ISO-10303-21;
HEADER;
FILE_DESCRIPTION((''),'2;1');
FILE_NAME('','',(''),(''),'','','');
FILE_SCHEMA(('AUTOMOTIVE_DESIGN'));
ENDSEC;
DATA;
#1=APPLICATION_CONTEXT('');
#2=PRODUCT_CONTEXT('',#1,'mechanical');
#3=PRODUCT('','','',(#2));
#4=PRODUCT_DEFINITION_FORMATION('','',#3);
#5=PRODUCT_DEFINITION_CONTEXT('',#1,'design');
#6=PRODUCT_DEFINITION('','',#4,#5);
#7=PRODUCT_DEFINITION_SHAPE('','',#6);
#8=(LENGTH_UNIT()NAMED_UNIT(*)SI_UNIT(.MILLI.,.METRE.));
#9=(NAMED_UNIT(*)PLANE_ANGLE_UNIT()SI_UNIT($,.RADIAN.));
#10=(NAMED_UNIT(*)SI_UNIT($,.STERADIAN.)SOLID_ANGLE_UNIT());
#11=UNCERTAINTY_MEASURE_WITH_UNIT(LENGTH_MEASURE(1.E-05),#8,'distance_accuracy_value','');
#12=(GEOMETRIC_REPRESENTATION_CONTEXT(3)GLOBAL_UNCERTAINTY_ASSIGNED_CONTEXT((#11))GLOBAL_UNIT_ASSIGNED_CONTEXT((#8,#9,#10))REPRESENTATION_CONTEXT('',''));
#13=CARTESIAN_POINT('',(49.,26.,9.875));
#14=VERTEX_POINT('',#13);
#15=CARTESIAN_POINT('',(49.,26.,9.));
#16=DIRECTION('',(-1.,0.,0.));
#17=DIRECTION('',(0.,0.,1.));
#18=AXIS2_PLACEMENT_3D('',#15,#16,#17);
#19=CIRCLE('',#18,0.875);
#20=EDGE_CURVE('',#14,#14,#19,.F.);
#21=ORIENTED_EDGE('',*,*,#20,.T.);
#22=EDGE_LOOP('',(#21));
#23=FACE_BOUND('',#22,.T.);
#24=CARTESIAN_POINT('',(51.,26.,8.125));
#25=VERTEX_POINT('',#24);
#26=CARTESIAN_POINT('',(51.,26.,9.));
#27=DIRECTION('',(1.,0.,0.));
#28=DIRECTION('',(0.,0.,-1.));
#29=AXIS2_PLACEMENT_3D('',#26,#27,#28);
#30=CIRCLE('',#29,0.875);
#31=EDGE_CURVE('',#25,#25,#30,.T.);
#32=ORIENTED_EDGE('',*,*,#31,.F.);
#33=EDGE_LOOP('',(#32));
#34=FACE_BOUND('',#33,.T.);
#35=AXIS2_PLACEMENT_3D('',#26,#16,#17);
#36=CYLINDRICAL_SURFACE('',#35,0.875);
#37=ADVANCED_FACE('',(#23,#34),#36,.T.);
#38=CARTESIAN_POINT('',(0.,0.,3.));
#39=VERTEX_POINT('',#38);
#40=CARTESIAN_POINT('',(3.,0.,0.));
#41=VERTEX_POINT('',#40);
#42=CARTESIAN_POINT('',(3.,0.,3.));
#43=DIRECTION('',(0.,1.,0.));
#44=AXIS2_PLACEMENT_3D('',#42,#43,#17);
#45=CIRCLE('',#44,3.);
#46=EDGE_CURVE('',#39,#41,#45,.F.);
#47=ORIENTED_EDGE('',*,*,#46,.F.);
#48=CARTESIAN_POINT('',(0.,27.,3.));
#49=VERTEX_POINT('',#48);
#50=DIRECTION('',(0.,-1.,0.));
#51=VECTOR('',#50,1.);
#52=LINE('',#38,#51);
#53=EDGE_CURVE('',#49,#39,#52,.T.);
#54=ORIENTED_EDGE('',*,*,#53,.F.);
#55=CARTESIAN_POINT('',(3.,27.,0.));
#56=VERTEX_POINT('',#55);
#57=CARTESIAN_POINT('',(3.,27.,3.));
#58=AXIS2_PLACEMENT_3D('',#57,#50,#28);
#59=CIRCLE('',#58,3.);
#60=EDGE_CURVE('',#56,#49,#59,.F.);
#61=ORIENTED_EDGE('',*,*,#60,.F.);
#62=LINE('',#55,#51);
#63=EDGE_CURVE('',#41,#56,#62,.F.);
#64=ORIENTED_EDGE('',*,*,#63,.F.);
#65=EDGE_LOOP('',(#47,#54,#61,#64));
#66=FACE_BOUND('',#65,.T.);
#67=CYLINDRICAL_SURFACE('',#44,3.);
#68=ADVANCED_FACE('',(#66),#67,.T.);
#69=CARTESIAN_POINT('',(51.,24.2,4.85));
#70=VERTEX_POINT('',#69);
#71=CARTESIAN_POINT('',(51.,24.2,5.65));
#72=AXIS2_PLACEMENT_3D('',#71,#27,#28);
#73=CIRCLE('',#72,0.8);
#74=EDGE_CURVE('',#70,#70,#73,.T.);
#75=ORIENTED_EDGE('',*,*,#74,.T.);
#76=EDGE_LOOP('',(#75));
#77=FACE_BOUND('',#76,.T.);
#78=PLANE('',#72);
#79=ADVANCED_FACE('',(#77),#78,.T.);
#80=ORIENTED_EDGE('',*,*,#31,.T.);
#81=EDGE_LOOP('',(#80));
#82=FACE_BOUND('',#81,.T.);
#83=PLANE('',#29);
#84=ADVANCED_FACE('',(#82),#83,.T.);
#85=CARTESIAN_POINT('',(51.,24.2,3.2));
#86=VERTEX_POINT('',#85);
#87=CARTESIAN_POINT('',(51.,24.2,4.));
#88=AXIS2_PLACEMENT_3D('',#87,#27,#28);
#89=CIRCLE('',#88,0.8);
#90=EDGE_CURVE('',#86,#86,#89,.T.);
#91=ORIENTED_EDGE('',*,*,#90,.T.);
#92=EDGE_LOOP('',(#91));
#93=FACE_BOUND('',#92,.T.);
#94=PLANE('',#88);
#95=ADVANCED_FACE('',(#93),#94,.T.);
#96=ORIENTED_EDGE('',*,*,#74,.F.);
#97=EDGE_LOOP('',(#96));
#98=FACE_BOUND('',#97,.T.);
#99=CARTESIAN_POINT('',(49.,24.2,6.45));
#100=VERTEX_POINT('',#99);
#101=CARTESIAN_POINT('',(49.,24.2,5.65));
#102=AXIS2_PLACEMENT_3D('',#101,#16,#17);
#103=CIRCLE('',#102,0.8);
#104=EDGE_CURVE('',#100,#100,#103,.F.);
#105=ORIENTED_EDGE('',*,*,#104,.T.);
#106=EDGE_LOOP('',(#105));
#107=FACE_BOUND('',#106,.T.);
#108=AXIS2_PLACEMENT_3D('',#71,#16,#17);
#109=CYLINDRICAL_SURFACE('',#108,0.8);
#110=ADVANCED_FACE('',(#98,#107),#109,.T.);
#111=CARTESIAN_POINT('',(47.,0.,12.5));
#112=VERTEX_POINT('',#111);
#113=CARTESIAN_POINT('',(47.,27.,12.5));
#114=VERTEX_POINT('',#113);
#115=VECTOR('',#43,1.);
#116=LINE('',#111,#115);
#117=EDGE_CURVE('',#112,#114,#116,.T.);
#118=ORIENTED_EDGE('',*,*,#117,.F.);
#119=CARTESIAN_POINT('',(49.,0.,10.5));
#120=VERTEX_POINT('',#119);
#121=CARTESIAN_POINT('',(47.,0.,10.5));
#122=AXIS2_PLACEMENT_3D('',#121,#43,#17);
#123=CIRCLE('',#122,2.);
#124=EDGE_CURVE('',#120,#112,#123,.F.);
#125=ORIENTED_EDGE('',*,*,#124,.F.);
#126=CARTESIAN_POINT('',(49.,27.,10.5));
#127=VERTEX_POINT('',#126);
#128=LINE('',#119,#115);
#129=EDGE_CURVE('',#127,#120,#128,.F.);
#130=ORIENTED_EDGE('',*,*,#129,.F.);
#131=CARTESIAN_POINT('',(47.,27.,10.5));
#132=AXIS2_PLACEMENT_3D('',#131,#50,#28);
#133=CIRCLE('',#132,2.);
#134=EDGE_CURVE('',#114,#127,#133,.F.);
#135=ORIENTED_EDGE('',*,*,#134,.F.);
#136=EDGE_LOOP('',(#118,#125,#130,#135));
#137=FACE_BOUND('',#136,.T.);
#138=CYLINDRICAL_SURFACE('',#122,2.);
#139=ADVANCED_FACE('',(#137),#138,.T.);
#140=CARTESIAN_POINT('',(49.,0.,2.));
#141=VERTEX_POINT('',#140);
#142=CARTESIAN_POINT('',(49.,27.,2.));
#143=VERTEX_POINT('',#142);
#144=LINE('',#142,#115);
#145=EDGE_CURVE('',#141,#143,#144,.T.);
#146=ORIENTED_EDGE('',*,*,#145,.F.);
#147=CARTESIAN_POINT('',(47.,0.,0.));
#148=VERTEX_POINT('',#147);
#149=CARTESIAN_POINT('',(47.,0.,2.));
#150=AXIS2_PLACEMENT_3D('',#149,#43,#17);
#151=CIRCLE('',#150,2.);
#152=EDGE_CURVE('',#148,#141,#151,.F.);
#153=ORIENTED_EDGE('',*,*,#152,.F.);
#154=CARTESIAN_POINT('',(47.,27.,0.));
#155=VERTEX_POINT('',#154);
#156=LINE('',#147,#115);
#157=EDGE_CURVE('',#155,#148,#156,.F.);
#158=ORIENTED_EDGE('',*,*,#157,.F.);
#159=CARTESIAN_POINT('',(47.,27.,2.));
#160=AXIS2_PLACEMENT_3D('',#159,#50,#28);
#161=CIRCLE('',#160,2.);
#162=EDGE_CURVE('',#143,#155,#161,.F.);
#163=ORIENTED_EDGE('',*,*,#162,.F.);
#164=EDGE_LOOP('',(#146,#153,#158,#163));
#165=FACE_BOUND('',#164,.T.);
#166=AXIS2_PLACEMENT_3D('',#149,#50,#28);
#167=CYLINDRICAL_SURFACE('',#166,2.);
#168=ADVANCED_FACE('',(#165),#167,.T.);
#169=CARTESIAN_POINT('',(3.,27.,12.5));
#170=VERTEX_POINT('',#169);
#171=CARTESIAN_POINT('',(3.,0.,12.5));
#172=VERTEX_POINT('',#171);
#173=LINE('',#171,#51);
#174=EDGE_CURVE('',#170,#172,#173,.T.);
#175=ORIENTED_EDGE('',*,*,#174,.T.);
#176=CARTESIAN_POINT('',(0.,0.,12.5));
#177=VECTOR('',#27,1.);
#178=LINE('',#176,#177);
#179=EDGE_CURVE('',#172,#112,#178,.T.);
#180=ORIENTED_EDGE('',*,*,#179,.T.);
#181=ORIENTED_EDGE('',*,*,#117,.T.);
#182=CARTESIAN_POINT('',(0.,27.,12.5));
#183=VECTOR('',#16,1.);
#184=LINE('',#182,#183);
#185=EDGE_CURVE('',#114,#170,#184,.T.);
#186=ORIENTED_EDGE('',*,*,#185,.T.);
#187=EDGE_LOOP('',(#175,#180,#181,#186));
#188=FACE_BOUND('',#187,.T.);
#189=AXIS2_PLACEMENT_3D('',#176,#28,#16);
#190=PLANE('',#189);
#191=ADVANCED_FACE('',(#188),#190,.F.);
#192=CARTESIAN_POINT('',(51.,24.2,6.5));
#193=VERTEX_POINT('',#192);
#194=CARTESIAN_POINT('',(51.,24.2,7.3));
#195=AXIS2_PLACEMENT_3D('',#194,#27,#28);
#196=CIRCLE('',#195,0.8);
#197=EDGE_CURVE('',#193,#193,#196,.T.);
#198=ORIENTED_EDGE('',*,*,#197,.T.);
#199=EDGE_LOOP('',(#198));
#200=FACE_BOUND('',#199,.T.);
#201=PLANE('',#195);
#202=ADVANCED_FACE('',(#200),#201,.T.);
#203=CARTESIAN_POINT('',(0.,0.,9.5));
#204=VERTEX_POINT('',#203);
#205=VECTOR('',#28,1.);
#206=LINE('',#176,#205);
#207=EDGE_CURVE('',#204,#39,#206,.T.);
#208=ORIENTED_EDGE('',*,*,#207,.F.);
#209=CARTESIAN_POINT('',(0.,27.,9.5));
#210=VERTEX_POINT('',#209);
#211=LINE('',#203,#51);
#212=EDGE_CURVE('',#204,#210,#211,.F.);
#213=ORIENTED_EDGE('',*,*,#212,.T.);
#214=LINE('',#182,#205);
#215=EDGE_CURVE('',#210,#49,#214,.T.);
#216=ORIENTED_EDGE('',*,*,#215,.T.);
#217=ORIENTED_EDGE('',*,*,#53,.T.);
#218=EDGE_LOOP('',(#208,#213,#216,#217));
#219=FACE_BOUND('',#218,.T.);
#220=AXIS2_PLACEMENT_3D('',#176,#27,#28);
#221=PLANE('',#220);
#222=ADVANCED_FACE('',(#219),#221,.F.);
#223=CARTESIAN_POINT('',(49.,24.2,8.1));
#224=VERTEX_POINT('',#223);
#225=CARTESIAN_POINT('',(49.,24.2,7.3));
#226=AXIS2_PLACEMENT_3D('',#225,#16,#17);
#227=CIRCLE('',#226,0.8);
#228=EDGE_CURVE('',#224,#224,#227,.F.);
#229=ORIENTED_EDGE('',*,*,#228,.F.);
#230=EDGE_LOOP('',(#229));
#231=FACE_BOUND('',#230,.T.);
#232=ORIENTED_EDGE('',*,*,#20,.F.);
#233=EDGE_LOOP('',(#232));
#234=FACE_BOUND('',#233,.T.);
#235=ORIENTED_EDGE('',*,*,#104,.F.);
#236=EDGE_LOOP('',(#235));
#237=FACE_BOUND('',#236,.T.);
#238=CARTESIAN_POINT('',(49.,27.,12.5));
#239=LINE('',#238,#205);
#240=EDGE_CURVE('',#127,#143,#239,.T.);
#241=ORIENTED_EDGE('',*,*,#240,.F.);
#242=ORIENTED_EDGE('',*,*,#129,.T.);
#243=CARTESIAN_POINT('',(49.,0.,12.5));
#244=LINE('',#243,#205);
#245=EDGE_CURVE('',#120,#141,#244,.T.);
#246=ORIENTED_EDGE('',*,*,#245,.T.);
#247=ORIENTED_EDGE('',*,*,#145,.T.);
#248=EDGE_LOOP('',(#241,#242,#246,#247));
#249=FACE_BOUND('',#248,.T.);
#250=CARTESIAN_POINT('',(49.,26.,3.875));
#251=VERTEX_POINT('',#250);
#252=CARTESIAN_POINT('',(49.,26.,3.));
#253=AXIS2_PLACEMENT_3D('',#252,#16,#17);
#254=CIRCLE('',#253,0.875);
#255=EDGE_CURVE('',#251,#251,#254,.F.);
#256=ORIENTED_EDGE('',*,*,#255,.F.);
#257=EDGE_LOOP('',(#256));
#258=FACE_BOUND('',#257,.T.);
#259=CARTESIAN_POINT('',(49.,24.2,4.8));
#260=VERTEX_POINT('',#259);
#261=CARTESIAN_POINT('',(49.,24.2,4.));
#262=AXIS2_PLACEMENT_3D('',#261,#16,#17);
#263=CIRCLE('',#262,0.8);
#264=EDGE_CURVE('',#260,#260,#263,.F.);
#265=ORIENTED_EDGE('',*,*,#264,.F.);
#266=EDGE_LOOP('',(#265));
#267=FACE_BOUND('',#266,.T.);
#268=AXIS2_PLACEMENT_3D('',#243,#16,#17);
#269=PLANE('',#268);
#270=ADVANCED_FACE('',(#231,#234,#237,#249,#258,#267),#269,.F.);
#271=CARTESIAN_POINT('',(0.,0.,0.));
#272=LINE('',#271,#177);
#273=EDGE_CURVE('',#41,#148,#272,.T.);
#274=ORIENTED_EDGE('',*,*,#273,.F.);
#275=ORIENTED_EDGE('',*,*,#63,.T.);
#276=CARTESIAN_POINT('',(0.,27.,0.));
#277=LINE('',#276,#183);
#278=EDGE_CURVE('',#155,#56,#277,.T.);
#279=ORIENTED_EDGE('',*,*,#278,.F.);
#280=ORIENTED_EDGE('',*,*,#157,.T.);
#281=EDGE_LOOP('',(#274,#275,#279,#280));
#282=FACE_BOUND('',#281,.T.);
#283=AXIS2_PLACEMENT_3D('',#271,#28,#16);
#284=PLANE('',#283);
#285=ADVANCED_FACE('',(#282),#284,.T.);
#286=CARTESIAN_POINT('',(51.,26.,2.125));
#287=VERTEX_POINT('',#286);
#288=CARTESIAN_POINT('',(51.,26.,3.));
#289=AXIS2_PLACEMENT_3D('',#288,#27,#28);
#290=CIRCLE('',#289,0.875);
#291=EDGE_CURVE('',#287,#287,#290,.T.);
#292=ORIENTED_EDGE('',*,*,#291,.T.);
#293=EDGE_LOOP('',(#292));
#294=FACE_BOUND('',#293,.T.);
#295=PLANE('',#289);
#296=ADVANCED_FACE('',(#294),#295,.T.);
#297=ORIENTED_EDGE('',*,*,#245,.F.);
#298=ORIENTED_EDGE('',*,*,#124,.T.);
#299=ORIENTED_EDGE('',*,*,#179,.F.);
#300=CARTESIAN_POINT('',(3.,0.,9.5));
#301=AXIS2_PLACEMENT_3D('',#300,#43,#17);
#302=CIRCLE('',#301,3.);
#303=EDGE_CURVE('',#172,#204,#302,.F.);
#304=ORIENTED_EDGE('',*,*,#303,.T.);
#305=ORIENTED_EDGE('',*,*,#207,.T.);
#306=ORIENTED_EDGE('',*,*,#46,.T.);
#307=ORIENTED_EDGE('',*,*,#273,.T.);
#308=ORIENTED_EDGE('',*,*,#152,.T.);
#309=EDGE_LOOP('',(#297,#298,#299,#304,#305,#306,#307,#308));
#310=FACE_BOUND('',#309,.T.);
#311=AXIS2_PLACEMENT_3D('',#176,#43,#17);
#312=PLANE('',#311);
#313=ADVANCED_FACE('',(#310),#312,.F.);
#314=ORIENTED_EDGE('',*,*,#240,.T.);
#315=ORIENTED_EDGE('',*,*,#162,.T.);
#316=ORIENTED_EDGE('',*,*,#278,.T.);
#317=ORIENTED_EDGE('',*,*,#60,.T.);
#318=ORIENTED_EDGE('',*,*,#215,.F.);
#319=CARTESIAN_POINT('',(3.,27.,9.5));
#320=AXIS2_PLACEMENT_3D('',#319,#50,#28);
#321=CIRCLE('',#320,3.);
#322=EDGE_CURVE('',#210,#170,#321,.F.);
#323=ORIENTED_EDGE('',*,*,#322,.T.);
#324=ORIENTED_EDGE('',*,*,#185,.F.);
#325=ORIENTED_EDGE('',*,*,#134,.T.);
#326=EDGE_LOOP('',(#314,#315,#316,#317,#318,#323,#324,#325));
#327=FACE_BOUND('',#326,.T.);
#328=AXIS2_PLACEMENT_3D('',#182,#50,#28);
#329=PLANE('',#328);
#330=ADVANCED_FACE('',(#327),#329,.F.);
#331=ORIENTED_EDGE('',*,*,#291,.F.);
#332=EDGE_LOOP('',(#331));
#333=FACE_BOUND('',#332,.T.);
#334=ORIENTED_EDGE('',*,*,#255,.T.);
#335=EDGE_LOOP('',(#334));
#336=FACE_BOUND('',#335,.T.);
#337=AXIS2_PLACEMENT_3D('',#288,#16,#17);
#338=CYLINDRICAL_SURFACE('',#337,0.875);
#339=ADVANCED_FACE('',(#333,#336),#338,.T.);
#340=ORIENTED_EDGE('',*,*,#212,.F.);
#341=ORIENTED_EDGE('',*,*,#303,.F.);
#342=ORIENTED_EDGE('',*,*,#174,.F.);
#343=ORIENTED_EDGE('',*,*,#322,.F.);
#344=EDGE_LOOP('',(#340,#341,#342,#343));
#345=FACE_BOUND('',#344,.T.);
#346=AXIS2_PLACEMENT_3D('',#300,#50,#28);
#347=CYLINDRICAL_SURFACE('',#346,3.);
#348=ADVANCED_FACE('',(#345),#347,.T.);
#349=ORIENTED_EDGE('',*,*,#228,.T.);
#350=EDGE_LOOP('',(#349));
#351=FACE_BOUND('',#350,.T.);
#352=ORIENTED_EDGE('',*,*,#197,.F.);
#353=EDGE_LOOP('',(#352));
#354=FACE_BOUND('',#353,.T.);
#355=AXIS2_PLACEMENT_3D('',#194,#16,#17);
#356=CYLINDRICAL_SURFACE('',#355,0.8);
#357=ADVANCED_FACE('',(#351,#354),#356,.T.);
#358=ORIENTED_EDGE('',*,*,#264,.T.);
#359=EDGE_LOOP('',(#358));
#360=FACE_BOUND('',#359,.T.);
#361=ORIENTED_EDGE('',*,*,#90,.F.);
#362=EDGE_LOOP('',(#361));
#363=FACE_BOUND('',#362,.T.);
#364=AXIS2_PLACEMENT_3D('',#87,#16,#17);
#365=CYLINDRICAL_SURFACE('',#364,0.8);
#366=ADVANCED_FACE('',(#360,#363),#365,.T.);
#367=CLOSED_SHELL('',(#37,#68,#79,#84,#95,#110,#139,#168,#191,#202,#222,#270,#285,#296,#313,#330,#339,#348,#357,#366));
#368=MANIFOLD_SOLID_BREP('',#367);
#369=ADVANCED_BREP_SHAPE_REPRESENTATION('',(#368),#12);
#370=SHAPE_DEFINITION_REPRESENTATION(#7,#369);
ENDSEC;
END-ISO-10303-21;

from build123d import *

# Parameters (mm, degrees)
SKIZZE1_W                       = 49
SKIZZE1_H                       = 27
AUFSATZ_LINEAR_AUSTRAGEN1_DEPTH = 12.5
VERRUNDUNG1_R                   = 2
VERRUNDUNG2_R                   = 3
SKIZZE3_R                       = 0.875
SKIZZE3_R_2                     = 0.8
AUFSATZ_LINEAR_AUSTRAGEN2_DEPTH = 2


with BuildPart() as part:
    # Skizze1 → Aufsatz-Linear austragen1 (new body)
    with BuildSketch(Plane.XY):
        with Locations((24.5, 13.5)):
            Rectangle(SKIZZE1_W, SKIZZE1_H)
    extrude(amount=AUFSATZ_LINEAR_AUSTRAGEN1_DEPTH)

    # Verrundung1
    verrundung1_edges = [part.edges().sort_by_distance(p)[0] for p in [
        (49, 13.5, 12.5),
        (49, 13.5, 0),
    ]]
    fillet(verrundung1_edges, radius=VERRUNDUNG1_R)

    # Verrundung2
    verrundung2_edges = [part.edges().sort_by_distance(p)[0] for p in [
        (0, 13.5, 12.5),
        (0, 13.5, 0),
    ]]
    fillet(verrundung2_edges, radius=VERRUNDUNG2_R)

    # Skizze3 → Aufsatz-Linear austragen2 (add)
    with BuildSketch(Plane(origin=(49, 0, 0), x_dir=(0, 0, -1), z_dir=(1, 0, 0))):
        with Locations(Location((-9, 26, 0), (0, 0, 180))):
            Circle(SKIZZE3_R)
        with Locations(Location((-3, 26, 0), (0, 0, 180))):
            Circle(SKIZZE3_R)
        with Locations(Location((-4, 24.2, 0), (0, 0, 180))):
            Circle(SKIZZE3_R_2)
        with Locations(Location((-5.65, 24.2, 0), (0, 0, 180))):
            Circle(SKIZZE3_R_2)
        with Locations(Location((-7.3, 24.2, 0), (0, 0, 180))):
            Circle(SKIZZE3_R_2)
    extrude(amount=AUFSATZ_LINEAR_AUSTRAGEN2_DEPTH)


solid = part.part
